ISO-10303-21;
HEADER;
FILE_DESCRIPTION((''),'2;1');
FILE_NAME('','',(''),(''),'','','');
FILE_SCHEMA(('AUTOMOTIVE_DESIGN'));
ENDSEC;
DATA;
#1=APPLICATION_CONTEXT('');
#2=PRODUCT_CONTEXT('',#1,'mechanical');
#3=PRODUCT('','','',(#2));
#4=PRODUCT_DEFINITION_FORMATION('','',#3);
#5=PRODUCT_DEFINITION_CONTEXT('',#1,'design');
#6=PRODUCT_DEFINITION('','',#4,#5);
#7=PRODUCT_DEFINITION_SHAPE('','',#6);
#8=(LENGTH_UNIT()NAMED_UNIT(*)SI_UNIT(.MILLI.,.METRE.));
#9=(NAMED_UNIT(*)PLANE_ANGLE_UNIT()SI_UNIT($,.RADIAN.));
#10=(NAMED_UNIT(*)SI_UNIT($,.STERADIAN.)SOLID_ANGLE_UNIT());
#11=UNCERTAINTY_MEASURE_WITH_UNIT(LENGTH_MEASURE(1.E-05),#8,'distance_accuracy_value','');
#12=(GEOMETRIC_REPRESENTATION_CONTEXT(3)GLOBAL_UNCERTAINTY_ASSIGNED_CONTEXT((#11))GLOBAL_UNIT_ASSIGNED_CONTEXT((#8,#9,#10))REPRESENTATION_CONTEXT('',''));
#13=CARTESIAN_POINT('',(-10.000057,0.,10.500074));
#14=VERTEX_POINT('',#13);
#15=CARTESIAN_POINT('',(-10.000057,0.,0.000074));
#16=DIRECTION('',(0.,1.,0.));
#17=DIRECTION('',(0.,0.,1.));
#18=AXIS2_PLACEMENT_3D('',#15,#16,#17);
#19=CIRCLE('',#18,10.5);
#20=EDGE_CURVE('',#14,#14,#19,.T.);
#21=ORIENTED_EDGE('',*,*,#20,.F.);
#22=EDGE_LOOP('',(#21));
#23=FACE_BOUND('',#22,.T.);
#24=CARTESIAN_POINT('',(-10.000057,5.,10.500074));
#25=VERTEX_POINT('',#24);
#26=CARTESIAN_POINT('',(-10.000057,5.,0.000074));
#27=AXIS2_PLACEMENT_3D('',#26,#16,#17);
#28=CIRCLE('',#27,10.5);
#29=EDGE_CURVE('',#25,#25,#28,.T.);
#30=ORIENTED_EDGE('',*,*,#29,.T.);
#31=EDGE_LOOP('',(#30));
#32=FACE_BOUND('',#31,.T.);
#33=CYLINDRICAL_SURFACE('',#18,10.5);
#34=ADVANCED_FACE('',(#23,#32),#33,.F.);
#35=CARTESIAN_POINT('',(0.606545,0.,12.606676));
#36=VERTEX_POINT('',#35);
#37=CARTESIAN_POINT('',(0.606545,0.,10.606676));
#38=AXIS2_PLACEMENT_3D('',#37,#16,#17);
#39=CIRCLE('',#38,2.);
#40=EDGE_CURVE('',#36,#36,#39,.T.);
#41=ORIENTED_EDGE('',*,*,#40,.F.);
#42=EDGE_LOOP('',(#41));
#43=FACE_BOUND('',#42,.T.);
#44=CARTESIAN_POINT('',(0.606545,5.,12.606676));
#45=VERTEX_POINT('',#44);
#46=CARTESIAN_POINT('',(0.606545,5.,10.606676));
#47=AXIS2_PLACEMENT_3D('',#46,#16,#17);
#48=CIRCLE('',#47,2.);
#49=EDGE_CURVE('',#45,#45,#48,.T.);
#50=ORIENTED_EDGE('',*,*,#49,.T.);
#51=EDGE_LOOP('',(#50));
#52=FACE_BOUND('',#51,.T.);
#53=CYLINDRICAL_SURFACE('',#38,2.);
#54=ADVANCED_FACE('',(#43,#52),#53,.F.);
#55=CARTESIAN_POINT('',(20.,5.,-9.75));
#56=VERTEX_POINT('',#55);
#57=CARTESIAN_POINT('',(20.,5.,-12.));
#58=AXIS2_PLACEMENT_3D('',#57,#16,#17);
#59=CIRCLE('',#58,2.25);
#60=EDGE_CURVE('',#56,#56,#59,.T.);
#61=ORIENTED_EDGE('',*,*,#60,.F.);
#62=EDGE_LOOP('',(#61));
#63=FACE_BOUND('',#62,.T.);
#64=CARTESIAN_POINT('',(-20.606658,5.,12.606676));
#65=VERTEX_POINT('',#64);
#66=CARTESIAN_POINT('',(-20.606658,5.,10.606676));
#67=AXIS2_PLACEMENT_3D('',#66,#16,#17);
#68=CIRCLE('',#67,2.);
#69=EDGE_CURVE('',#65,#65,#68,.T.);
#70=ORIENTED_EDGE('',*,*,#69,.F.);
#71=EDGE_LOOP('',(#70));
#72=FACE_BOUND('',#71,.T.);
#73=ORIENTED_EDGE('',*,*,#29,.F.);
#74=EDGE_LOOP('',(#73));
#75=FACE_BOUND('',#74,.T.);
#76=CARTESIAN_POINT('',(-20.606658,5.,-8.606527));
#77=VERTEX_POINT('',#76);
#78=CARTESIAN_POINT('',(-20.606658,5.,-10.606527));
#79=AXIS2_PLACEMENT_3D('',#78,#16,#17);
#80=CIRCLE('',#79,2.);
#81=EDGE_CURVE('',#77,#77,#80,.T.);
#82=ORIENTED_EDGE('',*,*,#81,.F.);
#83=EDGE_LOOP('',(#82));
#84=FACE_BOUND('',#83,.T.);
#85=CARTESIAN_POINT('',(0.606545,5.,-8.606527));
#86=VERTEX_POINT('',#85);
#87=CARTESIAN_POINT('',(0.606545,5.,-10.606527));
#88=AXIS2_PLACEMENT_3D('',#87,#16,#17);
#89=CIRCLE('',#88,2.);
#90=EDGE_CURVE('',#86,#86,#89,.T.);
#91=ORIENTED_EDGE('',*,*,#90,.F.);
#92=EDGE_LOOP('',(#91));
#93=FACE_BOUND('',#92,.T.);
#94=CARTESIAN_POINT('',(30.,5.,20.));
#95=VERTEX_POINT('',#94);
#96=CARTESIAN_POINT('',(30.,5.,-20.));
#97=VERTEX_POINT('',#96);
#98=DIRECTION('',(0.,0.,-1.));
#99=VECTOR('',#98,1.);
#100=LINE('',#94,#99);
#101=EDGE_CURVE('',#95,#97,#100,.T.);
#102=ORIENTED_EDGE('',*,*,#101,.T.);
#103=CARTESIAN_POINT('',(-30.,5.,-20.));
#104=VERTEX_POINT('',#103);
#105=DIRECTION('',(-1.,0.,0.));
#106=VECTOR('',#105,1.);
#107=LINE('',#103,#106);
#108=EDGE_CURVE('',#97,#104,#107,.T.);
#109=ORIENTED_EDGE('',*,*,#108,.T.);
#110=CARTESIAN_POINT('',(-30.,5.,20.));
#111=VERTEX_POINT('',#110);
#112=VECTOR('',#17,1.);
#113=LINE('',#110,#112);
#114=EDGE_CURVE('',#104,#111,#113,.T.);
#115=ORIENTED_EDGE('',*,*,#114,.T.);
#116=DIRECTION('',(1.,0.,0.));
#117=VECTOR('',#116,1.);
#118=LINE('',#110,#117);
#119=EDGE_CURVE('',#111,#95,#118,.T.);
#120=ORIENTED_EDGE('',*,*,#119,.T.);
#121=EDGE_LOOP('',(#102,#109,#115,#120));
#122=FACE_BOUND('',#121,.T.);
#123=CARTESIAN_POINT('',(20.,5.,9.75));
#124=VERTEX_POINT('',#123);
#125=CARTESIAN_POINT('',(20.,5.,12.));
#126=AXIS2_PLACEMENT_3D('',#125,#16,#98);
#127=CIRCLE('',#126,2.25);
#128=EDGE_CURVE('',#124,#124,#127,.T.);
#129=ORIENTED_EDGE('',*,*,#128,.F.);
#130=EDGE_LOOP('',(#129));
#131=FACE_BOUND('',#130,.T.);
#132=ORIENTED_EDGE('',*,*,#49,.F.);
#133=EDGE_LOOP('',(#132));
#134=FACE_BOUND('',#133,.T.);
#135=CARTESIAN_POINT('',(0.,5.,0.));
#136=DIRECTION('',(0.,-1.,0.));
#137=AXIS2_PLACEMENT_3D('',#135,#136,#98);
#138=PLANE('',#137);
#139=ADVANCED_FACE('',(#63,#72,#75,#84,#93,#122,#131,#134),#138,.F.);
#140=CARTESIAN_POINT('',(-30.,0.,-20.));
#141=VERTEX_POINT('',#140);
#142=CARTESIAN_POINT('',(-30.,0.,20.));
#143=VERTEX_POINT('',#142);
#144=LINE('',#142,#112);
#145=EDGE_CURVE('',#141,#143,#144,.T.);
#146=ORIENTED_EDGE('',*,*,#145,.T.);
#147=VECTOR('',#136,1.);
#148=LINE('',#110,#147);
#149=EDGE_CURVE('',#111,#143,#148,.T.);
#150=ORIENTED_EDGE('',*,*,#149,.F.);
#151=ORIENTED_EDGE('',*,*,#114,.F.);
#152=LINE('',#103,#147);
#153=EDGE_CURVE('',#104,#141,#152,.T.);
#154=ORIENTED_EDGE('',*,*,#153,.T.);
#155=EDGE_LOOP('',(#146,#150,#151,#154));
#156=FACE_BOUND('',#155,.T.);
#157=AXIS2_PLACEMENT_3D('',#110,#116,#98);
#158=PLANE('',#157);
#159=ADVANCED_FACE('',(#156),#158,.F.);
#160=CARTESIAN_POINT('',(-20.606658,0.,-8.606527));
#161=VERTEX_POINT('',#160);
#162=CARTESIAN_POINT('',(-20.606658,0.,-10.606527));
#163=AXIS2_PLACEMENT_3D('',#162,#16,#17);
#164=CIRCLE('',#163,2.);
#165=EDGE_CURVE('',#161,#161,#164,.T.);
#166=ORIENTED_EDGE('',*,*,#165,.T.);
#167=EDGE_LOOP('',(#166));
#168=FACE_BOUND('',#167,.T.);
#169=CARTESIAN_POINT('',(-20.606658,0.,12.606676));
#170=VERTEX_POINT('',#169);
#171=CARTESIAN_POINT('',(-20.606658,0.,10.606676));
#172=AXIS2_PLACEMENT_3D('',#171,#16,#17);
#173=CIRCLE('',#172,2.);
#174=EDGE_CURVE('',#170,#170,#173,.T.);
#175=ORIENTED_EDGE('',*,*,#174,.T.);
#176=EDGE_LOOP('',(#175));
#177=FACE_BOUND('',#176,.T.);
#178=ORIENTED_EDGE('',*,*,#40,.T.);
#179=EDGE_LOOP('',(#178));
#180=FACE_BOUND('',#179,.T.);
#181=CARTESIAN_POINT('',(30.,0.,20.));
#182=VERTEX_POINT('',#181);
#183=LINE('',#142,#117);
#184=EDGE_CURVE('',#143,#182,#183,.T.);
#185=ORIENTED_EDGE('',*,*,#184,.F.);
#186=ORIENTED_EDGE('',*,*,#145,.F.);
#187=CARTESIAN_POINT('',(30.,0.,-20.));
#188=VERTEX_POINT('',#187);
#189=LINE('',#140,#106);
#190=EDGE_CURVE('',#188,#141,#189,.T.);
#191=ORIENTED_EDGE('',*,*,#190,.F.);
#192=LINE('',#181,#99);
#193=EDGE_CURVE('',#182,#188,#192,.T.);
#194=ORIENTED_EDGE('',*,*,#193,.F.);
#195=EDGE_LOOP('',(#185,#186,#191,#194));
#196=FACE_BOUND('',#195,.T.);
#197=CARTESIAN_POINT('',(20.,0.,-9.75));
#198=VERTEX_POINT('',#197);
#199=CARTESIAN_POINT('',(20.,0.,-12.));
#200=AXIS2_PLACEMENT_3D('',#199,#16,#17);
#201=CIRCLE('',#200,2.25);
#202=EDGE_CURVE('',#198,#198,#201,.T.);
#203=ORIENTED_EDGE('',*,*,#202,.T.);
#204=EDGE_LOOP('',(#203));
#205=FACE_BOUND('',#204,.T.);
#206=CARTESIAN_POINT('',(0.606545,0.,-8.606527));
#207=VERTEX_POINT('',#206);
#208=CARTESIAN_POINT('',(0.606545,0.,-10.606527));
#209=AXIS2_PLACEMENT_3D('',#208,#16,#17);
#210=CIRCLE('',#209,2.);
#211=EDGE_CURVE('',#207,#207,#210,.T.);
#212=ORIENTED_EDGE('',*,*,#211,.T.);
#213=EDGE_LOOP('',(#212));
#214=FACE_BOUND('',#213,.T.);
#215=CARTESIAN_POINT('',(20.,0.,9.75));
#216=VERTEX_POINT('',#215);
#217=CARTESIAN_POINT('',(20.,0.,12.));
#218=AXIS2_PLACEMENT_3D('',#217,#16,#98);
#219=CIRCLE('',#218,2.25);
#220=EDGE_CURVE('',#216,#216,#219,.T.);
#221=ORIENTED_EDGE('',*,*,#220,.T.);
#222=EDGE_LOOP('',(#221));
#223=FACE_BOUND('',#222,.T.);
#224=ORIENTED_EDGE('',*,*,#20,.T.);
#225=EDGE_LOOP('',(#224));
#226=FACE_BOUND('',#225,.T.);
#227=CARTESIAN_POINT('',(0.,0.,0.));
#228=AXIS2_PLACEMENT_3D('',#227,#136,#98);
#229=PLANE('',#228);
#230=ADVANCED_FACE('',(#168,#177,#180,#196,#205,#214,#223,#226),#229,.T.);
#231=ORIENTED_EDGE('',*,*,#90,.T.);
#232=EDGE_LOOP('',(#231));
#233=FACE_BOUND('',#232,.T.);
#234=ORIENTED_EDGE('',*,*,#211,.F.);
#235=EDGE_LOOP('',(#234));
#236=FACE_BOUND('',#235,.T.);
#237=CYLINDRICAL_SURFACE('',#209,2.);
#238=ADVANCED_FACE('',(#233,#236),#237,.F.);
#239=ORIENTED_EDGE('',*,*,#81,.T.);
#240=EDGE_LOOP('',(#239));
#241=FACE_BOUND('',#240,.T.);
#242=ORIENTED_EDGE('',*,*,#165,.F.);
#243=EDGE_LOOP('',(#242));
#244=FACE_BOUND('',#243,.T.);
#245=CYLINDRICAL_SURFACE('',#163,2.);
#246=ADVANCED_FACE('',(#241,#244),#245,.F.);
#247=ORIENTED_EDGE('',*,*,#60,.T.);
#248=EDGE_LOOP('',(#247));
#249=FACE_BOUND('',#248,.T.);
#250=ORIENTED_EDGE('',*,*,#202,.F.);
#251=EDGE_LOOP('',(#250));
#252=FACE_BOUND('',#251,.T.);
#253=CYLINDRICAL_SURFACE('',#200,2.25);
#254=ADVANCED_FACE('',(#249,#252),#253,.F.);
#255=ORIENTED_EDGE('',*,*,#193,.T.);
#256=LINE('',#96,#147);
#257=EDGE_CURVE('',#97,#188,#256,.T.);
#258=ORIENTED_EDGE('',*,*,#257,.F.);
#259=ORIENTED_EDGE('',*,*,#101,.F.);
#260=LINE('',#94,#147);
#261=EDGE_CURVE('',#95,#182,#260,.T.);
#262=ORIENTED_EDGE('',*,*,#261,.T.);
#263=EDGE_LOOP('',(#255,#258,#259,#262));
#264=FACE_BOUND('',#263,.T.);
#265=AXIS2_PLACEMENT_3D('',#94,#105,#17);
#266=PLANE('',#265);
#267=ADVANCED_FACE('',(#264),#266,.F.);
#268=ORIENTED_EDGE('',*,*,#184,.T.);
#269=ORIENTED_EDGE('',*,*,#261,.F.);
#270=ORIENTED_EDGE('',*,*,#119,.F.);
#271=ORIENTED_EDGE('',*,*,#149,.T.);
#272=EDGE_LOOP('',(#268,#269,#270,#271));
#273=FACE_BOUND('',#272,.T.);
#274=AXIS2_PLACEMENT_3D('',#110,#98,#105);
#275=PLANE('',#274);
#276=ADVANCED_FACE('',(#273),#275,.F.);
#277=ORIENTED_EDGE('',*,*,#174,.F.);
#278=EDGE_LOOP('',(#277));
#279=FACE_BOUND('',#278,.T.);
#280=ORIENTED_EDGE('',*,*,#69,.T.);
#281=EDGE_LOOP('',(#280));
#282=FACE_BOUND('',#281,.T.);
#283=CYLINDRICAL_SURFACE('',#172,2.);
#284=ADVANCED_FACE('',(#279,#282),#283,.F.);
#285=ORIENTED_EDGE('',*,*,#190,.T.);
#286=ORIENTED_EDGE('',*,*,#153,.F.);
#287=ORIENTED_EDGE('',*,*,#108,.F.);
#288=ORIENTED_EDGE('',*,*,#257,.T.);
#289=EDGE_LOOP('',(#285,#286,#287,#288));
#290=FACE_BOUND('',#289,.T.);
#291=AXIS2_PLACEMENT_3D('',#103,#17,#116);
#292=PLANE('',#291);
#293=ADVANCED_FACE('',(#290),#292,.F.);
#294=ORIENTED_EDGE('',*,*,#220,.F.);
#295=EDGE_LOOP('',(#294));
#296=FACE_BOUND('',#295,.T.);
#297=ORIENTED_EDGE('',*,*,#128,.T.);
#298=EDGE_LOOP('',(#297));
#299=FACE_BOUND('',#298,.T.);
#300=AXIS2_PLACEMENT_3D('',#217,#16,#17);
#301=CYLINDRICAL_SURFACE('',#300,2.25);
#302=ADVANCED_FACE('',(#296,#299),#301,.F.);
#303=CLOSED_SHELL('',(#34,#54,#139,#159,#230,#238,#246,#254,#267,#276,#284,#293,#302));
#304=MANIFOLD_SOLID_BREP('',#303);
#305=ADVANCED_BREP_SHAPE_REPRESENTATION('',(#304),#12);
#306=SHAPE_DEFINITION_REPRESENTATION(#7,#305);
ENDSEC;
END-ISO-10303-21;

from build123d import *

# Parameters (mm, degrees)
SKETCH1_W           = 60
SKETCH1_H           = 40
BOSS_EXTRUDE1_DEPTH = 5
SKETCH4_R           = 2.25
CUT_EXTRUDE2_DEPTH  = 37.400549446
SKETCH6_R           = 10.5
SKETCH6_R_2         = 2
CUT_EXTRUDE3_DEPTH  = 37.400549446


with BuildPart() as part:
    # Sketch1 → Boss-Extrude1 (new body)
    with BuildSketch(Plane(origin=(0, 0, 0), x_dir=(1, 0, 0), z_dir=(0, 1, 0))):
        Rectangle(SKETCH1_W, SKETCH1_H)
    extrude(amount=BOSS_EXTRUDE1_DEPTH)

    # Sketch4 → Cut-Extrude2 (cut, through all)
    with BuildSketch(Plane(origin=(0, 5, 0), x_dir=(1, 0, 0), z_dir=(0, 1, 0))):
        with Locations(Location((20, 12, 0), (0, 0, 270))):
            Circle(SKETCH4_R)
        with Locations(Location((20, -12, 0), (0, 0, 90))):
            Circle(SKETCH4_R)
    extrude(amount=-CUT_EXTRUDE2_DEPTH, mode=Mode.SUBTRACT)

    # Sketch6 → Cut-Extrude3 (cut, through all)
    with BuildSketch(Plane(origin=(0, 5, 0), x_dir=(1, 0, 0), z_dir=(0, 1, 0))):
        with Locations(Location((-10.000056756, -7.4323e-05, 0), (0, 0, 270))):
            Circle(SKETCH6_R)
        with Locations(Location((-20.606658473, 10.606527395, 0), (0, 0, 270))):
            Circle(SKETCH6_R_2)
        with Locations(Location((0.606544962, 10.606527395, 0), (0, 0, 270))):
            Circle(SKETCH6_R_2)
        with Locations(Location((0.606544962, -10.606676041, 0), (0, 0, 270))):
            Circle(SKETCH6_R_2)
        with Locations(Location((-20.606658473, -10.606676041, 0), (0, 0, 270))):
            Circle(SKETCH6_R_2)
    extrude(amount=-CUT_EXTRUDE3_DEPTH, mode=Mode.SUBTRACT)


solid = part.part
